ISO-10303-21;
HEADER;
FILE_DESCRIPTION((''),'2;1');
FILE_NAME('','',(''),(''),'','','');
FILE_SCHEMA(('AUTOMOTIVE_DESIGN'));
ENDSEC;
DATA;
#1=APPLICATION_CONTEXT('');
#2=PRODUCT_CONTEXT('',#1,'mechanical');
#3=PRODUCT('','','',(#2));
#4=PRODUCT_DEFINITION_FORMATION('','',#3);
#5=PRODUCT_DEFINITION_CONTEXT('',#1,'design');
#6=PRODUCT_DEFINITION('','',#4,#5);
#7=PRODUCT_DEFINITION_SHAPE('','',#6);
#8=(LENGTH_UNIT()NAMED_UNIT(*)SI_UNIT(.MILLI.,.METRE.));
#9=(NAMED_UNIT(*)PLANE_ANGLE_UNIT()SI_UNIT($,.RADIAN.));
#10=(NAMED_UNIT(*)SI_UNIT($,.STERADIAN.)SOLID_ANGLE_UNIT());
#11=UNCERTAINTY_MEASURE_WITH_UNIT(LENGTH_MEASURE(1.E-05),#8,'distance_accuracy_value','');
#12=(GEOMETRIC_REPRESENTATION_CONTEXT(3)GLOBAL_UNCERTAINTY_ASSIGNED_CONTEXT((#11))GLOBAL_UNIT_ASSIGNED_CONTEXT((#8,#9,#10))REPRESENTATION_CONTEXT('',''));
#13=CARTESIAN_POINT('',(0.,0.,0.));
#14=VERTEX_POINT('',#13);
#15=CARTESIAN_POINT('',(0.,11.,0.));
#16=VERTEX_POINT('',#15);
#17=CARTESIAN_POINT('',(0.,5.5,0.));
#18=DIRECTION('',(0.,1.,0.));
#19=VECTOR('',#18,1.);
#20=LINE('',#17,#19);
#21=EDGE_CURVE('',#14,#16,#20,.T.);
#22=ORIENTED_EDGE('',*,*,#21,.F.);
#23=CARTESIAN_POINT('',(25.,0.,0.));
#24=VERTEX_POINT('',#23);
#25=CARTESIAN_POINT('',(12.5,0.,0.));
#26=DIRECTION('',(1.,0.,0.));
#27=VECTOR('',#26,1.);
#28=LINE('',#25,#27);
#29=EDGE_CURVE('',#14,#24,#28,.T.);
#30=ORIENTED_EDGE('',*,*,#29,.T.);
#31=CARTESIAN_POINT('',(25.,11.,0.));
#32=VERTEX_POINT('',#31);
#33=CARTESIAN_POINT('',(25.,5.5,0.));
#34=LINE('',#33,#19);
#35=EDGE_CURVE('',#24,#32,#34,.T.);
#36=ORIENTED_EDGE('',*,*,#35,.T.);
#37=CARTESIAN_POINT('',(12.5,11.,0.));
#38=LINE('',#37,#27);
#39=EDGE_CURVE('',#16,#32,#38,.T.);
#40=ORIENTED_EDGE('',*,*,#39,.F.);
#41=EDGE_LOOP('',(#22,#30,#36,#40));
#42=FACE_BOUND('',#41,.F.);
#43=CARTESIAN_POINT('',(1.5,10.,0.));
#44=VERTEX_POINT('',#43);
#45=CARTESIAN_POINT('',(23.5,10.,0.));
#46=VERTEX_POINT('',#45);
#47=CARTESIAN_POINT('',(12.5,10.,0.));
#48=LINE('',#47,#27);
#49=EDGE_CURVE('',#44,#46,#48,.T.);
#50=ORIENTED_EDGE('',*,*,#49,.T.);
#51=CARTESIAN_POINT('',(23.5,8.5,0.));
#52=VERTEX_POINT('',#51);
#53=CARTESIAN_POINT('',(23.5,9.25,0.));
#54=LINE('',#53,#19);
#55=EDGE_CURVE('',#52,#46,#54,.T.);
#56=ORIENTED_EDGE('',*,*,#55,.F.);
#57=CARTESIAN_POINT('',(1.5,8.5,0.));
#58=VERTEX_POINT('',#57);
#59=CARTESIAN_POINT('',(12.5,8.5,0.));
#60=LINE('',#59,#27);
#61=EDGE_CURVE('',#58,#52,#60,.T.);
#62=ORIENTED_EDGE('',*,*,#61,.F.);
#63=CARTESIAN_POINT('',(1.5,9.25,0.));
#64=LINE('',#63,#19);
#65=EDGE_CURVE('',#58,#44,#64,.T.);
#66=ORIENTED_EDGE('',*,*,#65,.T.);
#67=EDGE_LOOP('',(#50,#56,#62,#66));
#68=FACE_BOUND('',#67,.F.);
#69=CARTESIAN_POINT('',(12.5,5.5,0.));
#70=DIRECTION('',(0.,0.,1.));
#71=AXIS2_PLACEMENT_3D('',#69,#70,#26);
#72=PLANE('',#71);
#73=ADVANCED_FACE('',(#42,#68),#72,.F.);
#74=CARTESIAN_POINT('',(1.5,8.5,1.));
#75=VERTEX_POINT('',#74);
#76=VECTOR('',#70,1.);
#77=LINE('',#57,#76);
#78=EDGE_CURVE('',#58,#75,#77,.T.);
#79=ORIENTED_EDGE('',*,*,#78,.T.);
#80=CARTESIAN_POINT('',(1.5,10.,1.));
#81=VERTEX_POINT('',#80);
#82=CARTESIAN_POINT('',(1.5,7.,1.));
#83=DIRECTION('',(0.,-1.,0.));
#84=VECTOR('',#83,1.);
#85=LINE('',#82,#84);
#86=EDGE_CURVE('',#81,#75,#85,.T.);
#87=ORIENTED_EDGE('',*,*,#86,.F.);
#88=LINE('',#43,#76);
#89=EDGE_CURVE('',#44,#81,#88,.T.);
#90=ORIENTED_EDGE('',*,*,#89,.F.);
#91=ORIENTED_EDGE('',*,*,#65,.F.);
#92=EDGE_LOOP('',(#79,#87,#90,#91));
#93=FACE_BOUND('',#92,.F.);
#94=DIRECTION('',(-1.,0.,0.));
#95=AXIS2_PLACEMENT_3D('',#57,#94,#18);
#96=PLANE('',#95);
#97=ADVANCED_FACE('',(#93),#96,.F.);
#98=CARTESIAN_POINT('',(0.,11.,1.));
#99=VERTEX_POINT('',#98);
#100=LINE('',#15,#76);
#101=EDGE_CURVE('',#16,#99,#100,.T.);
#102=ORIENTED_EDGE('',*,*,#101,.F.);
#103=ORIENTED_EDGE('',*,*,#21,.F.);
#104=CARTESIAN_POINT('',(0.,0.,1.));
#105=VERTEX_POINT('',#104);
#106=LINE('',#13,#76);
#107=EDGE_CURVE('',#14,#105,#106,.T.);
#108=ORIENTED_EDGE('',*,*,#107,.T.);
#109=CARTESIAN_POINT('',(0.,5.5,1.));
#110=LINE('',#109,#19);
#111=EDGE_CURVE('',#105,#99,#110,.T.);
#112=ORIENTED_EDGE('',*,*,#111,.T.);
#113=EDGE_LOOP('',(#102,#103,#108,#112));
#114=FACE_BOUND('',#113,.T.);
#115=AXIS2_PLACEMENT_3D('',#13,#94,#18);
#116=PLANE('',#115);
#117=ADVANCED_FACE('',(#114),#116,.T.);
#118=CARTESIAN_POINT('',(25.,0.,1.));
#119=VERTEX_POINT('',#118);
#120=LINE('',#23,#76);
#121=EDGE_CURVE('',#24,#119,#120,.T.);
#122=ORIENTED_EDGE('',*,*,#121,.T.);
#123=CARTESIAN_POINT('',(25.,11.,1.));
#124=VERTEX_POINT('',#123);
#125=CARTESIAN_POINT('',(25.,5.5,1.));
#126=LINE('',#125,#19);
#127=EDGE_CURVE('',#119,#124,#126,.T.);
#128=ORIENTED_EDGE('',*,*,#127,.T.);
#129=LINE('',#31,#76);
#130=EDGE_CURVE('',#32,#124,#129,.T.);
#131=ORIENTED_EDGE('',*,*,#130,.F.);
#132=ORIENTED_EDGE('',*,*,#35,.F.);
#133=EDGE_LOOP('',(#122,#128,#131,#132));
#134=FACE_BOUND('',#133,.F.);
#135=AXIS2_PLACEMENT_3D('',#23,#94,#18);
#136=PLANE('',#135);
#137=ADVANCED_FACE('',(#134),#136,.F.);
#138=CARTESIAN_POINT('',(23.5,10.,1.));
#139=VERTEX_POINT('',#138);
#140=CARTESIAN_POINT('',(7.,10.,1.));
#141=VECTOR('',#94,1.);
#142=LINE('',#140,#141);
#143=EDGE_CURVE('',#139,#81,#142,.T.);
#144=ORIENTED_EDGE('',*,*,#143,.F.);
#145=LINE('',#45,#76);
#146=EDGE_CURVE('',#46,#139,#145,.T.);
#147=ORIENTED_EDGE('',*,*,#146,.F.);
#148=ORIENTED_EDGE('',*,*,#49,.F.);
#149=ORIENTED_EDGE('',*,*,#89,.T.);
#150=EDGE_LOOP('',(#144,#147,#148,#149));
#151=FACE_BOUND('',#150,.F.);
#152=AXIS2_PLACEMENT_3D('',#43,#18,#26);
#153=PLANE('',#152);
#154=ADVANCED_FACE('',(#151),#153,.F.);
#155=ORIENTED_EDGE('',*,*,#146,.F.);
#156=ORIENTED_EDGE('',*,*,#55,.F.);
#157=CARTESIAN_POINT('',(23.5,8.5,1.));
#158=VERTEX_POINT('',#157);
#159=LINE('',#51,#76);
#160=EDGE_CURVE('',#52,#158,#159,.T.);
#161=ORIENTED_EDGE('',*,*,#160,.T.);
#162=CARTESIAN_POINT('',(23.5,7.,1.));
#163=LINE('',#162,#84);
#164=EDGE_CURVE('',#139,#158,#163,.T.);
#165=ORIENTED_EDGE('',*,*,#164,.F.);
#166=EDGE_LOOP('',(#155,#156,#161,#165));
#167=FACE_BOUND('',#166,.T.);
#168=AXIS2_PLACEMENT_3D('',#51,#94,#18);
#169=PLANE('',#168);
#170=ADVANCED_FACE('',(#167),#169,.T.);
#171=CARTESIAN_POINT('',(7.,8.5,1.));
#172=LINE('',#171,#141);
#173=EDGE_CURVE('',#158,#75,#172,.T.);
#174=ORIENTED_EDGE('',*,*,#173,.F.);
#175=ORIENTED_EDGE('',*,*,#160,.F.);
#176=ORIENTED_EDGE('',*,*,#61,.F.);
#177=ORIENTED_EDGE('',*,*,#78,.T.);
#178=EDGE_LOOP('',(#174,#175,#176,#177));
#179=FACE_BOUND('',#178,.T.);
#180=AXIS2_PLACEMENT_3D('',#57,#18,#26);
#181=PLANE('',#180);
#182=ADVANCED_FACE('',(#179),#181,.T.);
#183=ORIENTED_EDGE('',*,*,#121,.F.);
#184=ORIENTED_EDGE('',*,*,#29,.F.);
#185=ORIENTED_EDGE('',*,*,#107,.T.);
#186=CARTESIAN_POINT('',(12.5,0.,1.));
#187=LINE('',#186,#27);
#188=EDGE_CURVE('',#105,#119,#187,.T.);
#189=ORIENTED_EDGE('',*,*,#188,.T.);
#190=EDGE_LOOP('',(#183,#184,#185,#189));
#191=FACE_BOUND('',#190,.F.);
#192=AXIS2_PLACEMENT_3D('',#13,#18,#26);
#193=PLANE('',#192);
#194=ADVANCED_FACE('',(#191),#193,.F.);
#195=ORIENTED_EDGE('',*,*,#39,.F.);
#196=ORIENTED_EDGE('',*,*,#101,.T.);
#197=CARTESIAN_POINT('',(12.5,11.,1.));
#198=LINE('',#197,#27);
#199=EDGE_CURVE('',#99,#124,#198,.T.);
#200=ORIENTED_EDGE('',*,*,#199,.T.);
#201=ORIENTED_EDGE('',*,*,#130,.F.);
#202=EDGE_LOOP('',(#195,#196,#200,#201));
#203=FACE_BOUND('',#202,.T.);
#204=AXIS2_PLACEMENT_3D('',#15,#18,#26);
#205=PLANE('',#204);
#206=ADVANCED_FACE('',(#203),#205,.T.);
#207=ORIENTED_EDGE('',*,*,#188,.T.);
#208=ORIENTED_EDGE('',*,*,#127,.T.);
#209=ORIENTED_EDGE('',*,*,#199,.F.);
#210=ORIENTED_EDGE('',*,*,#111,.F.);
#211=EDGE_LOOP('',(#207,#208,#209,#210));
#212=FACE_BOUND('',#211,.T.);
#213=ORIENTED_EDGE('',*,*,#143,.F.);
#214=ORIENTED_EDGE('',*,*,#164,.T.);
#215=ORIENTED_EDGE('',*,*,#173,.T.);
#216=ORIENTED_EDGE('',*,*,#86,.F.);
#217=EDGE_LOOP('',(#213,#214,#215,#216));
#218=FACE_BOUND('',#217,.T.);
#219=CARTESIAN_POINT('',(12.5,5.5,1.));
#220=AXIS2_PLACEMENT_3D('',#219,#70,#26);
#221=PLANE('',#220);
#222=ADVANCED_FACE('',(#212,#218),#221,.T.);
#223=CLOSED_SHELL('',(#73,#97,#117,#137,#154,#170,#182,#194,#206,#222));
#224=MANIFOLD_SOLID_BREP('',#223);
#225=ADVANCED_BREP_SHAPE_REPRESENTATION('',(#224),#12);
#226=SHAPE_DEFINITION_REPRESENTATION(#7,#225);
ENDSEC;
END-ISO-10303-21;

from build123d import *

# Parameters (mm, degrees)
BOX160_W     = 22
BOX160_H     = 1.5
BOX160_DEPTH = 2
BOX158_W     = 25
BOX158_H     = 11
BOX158_DEPTH = 1


with BuildPart() as longledhole014:
    # Box160 → Box160 (new body)
    with BuildSketch(Plane(origin=(1.5, 8.5, 0), x_dir=(1, 0, 0), z_dir=(0, 0, 1))):
        with Locations((11, 0.75)):
            Rectangle(BOX160_W, BOX160_H)
    extrude(amount=BOX160_DEPTH)


with BuildPart() as cut031:
    # Box158 → Box158 (new body)
    with BuildSketch(Plane.XY):
        with Locations((12.5, 5.5)):
            Rectangle(BOX158_W, BOX158_H)
    extrude(amount=BOX158_DEPTH)

    # Cut031: cut LongLedHole014
    add(longledhole014.part, mode=Mode.SUBTRACT)


solid = cut031.part
